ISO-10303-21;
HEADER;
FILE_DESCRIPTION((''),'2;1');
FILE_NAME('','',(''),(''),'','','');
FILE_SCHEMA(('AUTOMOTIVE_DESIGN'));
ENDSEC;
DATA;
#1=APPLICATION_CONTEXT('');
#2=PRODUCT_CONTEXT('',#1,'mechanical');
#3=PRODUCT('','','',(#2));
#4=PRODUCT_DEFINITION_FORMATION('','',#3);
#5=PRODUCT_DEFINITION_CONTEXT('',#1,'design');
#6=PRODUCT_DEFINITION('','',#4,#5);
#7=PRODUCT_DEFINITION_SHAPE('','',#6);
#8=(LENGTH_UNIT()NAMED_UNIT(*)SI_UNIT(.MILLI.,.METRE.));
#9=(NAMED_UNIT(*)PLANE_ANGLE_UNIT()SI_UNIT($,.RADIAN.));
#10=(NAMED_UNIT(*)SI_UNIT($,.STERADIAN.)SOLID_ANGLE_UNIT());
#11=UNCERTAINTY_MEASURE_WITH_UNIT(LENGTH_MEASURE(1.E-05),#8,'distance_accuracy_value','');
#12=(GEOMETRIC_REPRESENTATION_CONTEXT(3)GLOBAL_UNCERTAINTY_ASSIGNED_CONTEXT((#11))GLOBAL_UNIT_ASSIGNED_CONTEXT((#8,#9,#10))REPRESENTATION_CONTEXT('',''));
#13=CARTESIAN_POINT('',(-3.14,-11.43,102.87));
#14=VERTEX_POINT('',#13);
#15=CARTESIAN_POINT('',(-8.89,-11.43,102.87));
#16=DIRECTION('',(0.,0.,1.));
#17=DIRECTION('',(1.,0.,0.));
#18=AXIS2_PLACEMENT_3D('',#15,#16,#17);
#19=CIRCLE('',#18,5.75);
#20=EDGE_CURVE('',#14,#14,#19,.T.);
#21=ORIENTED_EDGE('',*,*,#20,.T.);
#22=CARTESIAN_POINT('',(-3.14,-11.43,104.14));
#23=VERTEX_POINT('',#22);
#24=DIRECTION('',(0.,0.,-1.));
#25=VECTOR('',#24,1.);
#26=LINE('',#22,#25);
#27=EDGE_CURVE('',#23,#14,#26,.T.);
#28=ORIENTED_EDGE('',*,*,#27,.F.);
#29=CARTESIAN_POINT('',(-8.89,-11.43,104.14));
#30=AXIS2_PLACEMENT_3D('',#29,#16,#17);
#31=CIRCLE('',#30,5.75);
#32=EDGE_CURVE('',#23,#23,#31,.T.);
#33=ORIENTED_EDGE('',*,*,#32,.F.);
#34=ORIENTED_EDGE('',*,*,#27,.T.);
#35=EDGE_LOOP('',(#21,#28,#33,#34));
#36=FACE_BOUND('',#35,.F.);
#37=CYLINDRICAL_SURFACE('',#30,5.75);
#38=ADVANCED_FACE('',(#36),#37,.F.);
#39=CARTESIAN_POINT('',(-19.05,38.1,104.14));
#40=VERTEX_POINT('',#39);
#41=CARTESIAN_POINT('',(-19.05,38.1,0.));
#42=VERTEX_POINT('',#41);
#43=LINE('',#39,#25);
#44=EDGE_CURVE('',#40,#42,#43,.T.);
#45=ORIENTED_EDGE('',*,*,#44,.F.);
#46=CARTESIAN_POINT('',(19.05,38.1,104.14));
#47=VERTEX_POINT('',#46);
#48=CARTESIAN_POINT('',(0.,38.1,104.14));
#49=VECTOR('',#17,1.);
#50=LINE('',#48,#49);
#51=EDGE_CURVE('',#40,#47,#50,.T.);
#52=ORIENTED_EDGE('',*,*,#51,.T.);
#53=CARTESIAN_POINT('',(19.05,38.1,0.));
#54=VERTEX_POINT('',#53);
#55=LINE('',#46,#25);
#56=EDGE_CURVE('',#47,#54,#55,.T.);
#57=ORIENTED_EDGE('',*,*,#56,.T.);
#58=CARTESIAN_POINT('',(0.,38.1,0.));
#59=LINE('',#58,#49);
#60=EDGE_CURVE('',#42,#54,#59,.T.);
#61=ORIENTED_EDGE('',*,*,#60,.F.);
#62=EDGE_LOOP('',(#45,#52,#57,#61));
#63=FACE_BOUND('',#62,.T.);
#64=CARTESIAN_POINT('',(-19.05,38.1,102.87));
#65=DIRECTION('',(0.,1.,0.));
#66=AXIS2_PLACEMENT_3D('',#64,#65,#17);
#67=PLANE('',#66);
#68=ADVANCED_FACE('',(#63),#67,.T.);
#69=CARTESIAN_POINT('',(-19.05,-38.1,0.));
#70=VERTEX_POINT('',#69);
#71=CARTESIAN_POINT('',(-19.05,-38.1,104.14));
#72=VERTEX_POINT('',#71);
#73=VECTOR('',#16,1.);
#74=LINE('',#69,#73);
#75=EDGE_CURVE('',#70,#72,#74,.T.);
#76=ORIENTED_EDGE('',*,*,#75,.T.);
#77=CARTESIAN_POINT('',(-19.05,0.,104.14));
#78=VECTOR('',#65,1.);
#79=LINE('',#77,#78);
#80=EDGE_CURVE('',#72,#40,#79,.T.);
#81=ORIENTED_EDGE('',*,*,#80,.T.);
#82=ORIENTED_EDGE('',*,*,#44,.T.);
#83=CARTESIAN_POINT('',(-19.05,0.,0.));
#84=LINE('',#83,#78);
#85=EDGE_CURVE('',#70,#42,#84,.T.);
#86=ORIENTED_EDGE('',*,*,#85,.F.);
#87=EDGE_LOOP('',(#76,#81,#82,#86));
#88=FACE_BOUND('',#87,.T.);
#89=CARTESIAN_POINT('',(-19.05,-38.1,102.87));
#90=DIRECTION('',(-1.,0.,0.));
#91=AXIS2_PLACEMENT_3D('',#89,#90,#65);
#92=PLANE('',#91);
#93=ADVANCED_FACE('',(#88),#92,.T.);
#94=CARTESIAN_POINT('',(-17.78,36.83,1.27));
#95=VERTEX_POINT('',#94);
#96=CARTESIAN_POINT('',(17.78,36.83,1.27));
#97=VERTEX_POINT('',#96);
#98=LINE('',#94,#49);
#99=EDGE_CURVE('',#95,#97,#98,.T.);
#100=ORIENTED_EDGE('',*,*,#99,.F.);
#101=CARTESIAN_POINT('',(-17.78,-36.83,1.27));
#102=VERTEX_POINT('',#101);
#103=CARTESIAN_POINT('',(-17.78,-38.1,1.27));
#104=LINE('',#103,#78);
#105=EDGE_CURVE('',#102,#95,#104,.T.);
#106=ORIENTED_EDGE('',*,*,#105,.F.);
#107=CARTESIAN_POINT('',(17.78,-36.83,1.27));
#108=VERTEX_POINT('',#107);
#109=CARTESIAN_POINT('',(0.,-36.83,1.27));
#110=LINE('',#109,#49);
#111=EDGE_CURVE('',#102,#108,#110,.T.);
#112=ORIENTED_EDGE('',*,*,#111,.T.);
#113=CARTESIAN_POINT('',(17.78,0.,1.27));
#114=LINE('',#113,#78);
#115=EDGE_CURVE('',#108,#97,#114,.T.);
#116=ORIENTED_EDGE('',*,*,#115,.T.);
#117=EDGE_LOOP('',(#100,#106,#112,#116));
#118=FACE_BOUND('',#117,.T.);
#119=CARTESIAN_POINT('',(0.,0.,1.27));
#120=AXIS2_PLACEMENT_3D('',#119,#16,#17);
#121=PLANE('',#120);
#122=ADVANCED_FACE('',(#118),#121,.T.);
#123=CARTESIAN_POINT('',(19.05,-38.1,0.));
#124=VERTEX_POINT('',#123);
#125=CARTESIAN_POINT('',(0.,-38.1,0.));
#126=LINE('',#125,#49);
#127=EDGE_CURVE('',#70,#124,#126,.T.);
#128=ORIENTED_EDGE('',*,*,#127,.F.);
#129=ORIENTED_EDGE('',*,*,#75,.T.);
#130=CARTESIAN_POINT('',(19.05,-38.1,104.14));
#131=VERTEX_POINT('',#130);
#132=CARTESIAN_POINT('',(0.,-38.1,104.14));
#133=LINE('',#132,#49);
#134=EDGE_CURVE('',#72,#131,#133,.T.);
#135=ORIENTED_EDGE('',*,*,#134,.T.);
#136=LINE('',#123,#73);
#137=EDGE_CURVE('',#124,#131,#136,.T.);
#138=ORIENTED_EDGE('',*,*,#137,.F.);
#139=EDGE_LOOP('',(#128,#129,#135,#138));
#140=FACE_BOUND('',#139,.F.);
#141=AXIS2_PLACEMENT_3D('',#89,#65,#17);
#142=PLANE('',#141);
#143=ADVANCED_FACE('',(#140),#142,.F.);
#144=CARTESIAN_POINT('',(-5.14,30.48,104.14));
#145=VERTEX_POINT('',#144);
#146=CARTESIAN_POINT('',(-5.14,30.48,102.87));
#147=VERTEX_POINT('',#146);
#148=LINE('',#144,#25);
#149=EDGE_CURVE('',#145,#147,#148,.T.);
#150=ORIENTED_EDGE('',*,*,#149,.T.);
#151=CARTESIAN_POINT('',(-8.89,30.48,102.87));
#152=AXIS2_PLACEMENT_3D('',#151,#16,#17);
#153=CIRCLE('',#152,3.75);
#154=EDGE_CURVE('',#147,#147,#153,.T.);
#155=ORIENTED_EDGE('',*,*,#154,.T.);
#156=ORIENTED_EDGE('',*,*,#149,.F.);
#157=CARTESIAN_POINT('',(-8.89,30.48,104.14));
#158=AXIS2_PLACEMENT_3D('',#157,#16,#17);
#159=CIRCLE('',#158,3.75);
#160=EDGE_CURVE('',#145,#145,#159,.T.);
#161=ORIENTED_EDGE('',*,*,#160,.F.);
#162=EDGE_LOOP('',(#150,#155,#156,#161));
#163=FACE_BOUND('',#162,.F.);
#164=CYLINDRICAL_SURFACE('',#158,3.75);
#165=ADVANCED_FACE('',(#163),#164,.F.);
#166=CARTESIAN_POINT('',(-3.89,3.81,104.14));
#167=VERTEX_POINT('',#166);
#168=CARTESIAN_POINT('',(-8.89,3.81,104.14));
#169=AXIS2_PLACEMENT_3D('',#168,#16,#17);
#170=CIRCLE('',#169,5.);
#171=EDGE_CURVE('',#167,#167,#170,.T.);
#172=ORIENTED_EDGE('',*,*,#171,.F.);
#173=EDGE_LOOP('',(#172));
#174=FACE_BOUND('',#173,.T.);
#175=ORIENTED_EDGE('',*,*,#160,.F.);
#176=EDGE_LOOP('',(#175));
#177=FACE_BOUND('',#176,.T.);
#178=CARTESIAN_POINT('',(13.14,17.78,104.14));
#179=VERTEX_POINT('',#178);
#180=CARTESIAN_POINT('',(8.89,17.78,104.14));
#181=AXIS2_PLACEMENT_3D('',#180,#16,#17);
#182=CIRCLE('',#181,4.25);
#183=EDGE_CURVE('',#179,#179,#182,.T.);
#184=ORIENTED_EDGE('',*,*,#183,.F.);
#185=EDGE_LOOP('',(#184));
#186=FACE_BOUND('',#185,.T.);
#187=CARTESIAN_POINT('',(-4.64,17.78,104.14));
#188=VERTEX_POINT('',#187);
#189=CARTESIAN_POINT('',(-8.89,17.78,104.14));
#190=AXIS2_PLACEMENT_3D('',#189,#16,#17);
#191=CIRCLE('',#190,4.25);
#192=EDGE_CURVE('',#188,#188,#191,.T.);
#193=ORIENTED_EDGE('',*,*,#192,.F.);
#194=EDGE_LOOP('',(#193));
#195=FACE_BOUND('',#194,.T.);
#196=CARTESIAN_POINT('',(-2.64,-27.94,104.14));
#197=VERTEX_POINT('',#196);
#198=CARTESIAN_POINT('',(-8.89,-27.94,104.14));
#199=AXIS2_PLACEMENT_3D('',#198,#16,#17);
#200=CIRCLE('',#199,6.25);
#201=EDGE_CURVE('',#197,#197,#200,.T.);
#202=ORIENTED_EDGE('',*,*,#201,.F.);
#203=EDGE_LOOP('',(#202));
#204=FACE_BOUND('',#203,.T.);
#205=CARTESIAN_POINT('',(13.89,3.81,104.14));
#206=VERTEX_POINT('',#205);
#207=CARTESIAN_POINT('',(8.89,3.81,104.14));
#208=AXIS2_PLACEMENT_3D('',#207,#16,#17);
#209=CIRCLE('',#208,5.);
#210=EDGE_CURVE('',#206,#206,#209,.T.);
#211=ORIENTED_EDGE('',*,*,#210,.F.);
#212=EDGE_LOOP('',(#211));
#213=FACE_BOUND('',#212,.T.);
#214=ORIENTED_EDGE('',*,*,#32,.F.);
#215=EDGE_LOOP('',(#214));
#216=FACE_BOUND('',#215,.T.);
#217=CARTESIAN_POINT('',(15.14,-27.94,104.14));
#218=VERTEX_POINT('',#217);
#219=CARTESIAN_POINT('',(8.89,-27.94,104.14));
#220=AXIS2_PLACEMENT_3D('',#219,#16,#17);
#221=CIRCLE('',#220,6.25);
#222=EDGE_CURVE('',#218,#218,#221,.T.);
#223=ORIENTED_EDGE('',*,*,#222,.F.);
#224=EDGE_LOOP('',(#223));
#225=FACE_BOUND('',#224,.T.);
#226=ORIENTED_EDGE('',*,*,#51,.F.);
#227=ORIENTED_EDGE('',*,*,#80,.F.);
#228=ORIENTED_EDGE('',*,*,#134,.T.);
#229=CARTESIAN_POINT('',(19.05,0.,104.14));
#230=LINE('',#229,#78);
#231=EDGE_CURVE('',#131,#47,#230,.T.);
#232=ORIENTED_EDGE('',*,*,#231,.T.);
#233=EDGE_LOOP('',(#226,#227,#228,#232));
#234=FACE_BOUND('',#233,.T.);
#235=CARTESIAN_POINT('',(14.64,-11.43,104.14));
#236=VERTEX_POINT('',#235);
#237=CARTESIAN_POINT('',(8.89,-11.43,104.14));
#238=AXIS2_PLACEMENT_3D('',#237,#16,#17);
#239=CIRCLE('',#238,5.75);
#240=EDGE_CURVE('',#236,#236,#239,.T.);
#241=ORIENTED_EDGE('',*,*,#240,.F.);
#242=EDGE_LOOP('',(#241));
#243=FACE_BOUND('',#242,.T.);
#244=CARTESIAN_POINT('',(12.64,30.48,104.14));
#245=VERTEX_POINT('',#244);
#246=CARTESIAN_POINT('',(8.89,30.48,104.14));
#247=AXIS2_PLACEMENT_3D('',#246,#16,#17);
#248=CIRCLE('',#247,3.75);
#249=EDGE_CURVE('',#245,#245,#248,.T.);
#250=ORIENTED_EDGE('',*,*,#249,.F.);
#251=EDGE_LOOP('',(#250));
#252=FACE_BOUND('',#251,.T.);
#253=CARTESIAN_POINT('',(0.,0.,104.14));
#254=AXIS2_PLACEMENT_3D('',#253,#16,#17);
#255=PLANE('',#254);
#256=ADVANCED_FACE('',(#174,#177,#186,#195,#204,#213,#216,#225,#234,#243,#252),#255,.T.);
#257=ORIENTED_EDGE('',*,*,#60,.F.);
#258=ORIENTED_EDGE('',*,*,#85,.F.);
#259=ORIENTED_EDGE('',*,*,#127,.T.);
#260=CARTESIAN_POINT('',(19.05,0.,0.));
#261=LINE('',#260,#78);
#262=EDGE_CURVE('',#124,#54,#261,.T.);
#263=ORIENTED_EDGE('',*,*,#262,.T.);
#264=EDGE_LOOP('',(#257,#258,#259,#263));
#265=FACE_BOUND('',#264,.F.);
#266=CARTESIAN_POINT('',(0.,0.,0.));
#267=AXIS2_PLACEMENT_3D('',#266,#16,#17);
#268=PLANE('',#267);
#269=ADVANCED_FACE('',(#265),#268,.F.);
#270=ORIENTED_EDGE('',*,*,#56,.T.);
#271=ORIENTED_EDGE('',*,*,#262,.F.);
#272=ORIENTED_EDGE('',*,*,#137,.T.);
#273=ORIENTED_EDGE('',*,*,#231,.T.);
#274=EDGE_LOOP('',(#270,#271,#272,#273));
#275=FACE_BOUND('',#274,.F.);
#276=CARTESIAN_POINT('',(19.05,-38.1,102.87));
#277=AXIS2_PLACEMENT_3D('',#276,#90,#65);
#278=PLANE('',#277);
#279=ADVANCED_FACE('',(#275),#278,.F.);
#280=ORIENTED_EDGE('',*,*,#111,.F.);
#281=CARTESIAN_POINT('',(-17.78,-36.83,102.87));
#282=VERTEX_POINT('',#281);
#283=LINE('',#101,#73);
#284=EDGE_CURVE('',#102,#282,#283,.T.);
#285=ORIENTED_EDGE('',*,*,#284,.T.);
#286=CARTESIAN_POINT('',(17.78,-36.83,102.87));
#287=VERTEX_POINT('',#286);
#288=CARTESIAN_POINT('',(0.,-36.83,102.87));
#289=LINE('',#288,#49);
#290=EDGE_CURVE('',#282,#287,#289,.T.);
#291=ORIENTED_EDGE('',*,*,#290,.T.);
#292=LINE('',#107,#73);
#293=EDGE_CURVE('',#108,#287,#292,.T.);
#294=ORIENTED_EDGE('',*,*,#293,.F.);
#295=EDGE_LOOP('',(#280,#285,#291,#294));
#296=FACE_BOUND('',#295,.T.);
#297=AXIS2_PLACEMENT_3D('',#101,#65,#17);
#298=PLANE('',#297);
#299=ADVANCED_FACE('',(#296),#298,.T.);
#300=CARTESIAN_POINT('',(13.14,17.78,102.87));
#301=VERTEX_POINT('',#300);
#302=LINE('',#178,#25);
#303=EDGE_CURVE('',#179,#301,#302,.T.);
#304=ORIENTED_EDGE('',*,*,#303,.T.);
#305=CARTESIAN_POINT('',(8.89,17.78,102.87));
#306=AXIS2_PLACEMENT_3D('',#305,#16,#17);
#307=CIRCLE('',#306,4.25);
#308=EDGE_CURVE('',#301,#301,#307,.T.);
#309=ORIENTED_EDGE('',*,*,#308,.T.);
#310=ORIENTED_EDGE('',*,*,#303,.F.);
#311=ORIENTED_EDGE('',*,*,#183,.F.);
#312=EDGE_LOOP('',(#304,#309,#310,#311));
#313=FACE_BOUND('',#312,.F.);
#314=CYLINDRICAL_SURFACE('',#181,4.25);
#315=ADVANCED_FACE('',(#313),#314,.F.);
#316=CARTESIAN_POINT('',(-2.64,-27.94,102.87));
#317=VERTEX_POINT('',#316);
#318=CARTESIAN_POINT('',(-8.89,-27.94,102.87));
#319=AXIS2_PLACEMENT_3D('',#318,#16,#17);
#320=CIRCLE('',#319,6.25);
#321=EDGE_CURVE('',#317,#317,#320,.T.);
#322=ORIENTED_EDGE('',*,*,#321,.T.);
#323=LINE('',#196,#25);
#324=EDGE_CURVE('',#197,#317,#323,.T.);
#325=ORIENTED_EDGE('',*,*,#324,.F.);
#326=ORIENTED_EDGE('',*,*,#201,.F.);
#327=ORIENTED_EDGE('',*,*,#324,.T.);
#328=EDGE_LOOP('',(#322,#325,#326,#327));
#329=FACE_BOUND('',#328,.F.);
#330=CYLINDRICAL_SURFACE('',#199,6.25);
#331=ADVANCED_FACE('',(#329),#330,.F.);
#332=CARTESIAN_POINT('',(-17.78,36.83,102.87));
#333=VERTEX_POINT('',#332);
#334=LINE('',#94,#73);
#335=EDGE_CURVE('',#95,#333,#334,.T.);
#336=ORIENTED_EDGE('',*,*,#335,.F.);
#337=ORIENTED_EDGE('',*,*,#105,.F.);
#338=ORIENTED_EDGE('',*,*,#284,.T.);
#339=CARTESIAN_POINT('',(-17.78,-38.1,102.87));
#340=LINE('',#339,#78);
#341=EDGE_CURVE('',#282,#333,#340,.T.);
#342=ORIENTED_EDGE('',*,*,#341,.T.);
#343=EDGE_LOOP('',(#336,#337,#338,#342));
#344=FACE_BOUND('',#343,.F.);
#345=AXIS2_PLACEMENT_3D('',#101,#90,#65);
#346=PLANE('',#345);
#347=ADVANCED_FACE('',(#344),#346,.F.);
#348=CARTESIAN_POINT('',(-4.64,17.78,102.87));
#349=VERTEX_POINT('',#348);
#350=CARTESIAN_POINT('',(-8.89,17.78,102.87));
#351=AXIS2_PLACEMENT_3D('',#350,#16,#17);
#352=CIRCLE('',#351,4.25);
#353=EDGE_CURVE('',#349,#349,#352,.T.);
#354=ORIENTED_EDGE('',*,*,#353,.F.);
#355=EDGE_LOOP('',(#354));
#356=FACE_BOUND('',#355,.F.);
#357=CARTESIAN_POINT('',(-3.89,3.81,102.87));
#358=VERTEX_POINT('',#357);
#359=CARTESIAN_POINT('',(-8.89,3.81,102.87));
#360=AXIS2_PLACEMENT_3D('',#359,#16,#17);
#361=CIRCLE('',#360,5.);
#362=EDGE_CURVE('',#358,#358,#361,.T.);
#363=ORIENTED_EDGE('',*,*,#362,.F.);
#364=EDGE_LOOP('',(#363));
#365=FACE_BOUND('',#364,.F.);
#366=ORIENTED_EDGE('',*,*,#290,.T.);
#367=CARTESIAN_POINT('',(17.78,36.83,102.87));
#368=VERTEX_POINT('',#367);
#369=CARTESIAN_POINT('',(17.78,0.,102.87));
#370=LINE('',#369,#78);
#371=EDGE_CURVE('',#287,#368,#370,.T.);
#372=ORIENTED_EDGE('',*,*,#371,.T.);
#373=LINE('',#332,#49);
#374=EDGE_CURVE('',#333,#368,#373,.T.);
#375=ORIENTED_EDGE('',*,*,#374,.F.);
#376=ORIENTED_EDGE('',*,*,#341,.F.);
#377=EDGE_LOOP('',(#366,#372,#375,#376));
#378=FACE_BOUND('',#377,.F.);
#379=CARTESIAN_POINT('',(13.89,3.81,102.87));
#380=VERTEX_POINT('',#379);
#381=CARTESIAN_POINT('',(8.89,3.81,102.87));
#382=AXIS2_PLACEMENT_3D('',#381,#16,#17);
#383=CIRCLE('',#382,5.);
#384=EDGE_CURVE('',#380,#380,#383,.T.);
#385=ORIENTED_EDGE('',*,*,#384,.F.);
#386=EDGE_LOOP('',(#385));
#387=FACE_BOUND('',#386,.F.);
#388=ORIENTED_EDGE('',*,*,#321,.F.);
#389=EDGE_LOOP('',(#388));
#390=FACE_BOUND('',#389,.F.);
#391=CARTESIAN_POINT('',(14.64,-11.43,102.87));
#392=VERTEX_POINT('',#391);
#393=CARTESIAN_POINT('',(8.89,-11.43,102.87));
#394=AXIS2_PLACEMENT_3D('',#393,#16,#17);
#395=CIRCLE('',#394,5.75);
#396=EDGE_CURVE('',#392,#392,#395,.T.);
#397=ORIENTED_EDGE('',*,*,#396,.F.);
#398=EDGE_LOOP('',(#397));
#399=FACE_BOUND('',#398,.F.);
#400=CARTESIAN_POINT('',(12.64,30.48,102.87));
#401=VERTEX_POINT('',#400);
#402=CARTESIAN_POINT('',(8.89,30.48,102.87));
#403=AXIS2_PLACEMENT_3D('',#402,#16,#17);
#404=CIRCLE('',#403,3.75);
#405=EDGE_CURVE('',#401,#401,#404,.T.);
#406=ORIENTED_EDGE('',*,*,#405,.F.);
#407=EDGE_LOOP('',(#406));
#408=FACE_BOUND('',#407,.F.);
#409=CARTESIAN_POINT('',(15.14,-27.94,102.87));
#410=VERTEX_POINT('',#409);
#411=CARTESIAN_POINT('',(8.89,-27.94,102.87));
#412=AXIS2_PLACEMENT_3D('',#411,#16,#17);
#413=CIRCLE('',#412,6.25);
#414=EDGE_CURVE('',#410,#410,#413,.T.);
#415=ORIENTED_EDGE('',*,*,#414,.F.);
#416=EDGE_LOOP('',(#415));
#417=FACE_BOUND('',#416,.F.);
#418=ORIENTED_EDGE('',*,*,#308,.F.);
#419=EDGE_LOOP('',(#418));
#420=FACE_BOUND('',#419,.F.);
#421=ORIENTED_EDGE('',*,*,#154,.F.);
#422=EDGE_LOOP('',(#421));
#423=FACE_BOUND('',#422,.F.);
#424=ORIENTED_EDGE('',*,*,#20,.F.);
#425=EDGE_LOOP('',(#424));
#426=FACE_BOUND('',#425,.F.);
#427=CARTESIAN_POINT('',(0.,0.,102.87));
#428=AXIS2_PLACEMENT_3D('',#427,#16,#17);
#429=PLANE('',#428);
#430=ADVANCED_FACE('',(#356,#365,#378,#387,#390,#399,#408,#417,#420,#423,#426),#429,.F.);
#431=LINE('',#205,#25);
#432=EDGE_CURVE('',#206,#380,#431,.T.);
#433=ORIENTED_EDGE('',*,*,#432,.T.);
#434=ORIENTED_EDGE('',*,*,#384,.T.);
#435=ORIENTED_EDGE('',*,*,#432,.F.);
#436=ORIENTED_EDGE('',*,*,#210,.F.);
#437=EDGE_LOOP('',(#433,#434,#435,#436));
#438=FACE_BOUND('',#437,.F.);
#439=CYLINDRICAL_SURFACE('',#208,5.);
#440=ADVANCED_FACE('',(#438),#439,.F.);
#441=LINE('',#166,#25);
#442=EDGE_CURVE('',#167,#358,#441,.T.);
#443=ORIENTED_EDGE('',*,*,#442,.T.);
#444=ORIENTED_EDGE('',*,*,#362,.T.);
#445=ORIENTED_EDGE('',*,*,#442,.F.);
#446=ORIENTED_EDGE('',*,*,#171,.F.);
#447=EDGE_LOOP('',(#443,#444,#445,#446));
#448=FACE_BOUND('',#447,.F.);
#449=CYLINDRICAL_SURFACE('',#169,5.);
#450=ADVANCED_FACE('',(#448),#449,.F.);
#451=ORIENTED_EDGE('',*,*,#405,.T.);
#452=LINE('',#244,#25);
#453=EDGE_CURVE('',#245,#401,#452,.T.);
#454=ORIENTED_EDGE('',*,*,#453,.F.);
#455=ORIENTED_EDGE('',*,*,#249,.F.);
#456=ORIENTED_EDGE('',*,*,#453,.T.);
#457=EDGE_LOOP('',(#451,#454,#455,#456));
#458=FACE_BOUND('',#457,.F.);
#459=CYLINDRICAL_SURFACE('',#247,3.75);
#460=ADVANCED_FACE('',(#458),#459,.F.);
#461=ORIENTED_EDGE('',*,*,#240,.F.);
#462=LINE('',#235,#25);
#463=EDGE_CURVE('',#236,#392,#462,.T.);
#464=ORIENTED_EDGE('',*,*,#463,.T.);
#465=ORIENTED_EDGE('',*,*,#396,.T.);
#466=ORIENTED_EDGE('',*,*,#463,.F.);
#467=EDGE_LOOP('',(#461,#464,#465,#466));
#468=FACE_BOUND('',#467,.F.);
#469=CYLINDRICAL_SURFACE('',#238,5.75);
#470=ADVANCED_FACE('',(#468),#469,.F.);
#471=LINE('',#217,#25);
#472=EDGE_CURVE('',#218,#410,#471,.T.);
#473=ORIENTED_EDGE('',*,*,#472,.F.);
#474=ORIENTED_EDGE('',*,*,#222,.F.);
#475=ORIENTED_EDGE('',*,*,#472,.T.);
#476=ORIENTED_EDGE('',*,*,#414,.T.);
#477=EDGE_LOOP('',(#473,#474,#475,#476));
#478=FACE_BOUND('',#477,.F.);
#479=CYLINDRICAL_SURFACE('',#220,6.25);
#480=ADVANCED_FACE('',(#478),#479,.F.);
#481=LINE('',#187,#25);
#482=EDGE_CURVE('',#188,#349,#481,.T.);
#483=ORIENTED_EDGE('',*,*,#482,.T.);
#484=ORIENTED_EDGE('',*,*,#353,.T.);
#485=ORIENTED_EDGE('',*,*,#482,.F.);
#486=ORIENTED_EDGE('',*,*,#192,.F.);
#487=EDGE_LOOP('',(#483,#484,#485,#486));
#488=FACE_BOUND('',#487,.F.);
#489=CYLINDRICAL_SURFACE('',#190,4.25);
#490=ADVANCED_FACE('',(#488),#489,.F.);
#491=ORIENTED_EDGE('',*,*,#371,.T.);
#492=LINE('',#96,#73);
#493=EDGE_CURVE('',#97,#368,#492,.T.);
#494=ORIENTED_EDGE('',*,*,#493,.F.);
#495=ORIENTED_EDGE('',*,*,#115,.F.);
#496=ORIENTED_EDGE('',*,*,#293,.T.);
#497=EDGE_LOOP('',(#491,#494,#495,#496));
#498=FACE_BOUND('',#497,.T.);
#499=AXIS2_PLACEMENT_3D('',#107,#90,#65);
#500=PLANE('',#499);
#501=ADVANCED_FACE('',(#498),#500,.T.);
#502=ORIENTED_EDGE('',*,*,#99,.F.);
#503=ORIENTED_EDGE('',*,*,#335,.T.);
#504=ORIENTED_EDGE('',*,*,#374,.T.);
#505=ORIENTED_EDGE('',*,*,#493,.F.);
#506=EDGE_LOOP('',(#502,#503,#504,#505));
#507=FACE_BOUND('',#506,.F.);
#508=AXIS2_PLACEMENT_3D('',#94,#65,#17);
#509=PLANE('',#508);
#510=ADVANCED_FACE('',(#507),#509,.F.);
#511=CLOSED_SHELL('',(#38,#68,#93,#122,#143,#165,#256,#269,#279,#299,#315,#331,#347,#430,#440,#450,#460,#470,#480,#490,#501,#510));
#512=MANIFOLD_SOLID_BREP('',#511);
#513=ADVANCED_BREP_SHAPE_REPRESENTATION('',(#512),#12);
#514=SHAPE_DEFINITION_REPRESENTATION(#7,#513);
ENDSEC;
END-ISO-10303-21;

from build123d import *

# Parameters (mm, degrees)
F0_W     = 38.1
F0_H     = 76.2
F1_DEPTH = 1.27
F2_W     = 1.27
F2_H     = 1.27
F2_W_2   = 35.56
F2_H_2   = 73.66
F3_DEPTH = 101.6
F4_W     = 38.1
F4_H     = 76.2
F5_DEPTH = 1.27
F7_R     = 3.75
F7_R_2   = 4.25
F7_R_3   = 5
F7_R_4   = 5.75
F7_R_5   = 6.25
F8_DEPTH = 25.4


with BuildPart() as f1:
    # F0 (on Top) → F1 (new body)
    with BuildSketch(Plane.XY):
        Rectangle(F0_W, F0_H)
    extrude(amount=F1_DEPTH)

    # F2 (on face) → F3 (join)
    with BuildSketch(Plane.XY.offset(1.27)):
        with Locations((-18.415, 37.465)):
            Rectangle(F2_W, F2_H)
        with Locations((0, 37.465)):
            Rectangle(F2_W_2, F2_H)
        with Locations((-18.415, 0)):
            Rectangle(F2_W, F2_H_2)
        with Locations((18.415, 37.465)):
            Rectangle(F2_W, F2_H)
        with Locations((-18.415, -37.465)):
            Rectangle(F2_W, F2_H)
        with Locations((0, -37.465)):
            Rectangle(F2_W_2, F2_H)
        with Locations((18.415, 0)):
            Rectangle(F2_W, F2_H_2)
        with Locations((18.415, -37.465)):
            Rectangle(F2_W, F2_H)
    extrude(amount=F3_DEPTH)

    # F4 (on face) → F5 (join)
    with BuildSketch(Plane.XY.offset(102.87)):
        Rectangle(F4_W, F4_H)
    extrude(amount=F5_DEPTH)

    # F7 (on face) → F8 (cut)
    with BuildSketch(Plane.XY.offset(104.14)):
        with Locations((-8.89, 30.48)):
            Circle(F7_R)
        with Locations((8.89, 30.48)):
            Circle(F7_R)
        with Locations((-8.89, 17.78)):
            Circle(F7_R_2)
        with Locations((8.89, 17.78)):
            Circle(F7_R_2)
        with Locations((8.89, 3.81)):
            Circle(F7_R_3)
        with Locations((-8.89, 3.81)):
            Circle(F7_R_3)
        with Locations((-8.89, -11.43)):
            Circle(F7_R_4)
        with Locations((8.89, -11.43)):
            Circle(F7_R_4)
        with Locations((8.89, -27.94)):
            Circle(F7_R_5)
        with Locations((-8.89, -27.94)):
            Circle(F7_R_5)
    extrude(amount=-F8_DEPTH, mode=Mode.SUBTRACT)


solid = f1.part
